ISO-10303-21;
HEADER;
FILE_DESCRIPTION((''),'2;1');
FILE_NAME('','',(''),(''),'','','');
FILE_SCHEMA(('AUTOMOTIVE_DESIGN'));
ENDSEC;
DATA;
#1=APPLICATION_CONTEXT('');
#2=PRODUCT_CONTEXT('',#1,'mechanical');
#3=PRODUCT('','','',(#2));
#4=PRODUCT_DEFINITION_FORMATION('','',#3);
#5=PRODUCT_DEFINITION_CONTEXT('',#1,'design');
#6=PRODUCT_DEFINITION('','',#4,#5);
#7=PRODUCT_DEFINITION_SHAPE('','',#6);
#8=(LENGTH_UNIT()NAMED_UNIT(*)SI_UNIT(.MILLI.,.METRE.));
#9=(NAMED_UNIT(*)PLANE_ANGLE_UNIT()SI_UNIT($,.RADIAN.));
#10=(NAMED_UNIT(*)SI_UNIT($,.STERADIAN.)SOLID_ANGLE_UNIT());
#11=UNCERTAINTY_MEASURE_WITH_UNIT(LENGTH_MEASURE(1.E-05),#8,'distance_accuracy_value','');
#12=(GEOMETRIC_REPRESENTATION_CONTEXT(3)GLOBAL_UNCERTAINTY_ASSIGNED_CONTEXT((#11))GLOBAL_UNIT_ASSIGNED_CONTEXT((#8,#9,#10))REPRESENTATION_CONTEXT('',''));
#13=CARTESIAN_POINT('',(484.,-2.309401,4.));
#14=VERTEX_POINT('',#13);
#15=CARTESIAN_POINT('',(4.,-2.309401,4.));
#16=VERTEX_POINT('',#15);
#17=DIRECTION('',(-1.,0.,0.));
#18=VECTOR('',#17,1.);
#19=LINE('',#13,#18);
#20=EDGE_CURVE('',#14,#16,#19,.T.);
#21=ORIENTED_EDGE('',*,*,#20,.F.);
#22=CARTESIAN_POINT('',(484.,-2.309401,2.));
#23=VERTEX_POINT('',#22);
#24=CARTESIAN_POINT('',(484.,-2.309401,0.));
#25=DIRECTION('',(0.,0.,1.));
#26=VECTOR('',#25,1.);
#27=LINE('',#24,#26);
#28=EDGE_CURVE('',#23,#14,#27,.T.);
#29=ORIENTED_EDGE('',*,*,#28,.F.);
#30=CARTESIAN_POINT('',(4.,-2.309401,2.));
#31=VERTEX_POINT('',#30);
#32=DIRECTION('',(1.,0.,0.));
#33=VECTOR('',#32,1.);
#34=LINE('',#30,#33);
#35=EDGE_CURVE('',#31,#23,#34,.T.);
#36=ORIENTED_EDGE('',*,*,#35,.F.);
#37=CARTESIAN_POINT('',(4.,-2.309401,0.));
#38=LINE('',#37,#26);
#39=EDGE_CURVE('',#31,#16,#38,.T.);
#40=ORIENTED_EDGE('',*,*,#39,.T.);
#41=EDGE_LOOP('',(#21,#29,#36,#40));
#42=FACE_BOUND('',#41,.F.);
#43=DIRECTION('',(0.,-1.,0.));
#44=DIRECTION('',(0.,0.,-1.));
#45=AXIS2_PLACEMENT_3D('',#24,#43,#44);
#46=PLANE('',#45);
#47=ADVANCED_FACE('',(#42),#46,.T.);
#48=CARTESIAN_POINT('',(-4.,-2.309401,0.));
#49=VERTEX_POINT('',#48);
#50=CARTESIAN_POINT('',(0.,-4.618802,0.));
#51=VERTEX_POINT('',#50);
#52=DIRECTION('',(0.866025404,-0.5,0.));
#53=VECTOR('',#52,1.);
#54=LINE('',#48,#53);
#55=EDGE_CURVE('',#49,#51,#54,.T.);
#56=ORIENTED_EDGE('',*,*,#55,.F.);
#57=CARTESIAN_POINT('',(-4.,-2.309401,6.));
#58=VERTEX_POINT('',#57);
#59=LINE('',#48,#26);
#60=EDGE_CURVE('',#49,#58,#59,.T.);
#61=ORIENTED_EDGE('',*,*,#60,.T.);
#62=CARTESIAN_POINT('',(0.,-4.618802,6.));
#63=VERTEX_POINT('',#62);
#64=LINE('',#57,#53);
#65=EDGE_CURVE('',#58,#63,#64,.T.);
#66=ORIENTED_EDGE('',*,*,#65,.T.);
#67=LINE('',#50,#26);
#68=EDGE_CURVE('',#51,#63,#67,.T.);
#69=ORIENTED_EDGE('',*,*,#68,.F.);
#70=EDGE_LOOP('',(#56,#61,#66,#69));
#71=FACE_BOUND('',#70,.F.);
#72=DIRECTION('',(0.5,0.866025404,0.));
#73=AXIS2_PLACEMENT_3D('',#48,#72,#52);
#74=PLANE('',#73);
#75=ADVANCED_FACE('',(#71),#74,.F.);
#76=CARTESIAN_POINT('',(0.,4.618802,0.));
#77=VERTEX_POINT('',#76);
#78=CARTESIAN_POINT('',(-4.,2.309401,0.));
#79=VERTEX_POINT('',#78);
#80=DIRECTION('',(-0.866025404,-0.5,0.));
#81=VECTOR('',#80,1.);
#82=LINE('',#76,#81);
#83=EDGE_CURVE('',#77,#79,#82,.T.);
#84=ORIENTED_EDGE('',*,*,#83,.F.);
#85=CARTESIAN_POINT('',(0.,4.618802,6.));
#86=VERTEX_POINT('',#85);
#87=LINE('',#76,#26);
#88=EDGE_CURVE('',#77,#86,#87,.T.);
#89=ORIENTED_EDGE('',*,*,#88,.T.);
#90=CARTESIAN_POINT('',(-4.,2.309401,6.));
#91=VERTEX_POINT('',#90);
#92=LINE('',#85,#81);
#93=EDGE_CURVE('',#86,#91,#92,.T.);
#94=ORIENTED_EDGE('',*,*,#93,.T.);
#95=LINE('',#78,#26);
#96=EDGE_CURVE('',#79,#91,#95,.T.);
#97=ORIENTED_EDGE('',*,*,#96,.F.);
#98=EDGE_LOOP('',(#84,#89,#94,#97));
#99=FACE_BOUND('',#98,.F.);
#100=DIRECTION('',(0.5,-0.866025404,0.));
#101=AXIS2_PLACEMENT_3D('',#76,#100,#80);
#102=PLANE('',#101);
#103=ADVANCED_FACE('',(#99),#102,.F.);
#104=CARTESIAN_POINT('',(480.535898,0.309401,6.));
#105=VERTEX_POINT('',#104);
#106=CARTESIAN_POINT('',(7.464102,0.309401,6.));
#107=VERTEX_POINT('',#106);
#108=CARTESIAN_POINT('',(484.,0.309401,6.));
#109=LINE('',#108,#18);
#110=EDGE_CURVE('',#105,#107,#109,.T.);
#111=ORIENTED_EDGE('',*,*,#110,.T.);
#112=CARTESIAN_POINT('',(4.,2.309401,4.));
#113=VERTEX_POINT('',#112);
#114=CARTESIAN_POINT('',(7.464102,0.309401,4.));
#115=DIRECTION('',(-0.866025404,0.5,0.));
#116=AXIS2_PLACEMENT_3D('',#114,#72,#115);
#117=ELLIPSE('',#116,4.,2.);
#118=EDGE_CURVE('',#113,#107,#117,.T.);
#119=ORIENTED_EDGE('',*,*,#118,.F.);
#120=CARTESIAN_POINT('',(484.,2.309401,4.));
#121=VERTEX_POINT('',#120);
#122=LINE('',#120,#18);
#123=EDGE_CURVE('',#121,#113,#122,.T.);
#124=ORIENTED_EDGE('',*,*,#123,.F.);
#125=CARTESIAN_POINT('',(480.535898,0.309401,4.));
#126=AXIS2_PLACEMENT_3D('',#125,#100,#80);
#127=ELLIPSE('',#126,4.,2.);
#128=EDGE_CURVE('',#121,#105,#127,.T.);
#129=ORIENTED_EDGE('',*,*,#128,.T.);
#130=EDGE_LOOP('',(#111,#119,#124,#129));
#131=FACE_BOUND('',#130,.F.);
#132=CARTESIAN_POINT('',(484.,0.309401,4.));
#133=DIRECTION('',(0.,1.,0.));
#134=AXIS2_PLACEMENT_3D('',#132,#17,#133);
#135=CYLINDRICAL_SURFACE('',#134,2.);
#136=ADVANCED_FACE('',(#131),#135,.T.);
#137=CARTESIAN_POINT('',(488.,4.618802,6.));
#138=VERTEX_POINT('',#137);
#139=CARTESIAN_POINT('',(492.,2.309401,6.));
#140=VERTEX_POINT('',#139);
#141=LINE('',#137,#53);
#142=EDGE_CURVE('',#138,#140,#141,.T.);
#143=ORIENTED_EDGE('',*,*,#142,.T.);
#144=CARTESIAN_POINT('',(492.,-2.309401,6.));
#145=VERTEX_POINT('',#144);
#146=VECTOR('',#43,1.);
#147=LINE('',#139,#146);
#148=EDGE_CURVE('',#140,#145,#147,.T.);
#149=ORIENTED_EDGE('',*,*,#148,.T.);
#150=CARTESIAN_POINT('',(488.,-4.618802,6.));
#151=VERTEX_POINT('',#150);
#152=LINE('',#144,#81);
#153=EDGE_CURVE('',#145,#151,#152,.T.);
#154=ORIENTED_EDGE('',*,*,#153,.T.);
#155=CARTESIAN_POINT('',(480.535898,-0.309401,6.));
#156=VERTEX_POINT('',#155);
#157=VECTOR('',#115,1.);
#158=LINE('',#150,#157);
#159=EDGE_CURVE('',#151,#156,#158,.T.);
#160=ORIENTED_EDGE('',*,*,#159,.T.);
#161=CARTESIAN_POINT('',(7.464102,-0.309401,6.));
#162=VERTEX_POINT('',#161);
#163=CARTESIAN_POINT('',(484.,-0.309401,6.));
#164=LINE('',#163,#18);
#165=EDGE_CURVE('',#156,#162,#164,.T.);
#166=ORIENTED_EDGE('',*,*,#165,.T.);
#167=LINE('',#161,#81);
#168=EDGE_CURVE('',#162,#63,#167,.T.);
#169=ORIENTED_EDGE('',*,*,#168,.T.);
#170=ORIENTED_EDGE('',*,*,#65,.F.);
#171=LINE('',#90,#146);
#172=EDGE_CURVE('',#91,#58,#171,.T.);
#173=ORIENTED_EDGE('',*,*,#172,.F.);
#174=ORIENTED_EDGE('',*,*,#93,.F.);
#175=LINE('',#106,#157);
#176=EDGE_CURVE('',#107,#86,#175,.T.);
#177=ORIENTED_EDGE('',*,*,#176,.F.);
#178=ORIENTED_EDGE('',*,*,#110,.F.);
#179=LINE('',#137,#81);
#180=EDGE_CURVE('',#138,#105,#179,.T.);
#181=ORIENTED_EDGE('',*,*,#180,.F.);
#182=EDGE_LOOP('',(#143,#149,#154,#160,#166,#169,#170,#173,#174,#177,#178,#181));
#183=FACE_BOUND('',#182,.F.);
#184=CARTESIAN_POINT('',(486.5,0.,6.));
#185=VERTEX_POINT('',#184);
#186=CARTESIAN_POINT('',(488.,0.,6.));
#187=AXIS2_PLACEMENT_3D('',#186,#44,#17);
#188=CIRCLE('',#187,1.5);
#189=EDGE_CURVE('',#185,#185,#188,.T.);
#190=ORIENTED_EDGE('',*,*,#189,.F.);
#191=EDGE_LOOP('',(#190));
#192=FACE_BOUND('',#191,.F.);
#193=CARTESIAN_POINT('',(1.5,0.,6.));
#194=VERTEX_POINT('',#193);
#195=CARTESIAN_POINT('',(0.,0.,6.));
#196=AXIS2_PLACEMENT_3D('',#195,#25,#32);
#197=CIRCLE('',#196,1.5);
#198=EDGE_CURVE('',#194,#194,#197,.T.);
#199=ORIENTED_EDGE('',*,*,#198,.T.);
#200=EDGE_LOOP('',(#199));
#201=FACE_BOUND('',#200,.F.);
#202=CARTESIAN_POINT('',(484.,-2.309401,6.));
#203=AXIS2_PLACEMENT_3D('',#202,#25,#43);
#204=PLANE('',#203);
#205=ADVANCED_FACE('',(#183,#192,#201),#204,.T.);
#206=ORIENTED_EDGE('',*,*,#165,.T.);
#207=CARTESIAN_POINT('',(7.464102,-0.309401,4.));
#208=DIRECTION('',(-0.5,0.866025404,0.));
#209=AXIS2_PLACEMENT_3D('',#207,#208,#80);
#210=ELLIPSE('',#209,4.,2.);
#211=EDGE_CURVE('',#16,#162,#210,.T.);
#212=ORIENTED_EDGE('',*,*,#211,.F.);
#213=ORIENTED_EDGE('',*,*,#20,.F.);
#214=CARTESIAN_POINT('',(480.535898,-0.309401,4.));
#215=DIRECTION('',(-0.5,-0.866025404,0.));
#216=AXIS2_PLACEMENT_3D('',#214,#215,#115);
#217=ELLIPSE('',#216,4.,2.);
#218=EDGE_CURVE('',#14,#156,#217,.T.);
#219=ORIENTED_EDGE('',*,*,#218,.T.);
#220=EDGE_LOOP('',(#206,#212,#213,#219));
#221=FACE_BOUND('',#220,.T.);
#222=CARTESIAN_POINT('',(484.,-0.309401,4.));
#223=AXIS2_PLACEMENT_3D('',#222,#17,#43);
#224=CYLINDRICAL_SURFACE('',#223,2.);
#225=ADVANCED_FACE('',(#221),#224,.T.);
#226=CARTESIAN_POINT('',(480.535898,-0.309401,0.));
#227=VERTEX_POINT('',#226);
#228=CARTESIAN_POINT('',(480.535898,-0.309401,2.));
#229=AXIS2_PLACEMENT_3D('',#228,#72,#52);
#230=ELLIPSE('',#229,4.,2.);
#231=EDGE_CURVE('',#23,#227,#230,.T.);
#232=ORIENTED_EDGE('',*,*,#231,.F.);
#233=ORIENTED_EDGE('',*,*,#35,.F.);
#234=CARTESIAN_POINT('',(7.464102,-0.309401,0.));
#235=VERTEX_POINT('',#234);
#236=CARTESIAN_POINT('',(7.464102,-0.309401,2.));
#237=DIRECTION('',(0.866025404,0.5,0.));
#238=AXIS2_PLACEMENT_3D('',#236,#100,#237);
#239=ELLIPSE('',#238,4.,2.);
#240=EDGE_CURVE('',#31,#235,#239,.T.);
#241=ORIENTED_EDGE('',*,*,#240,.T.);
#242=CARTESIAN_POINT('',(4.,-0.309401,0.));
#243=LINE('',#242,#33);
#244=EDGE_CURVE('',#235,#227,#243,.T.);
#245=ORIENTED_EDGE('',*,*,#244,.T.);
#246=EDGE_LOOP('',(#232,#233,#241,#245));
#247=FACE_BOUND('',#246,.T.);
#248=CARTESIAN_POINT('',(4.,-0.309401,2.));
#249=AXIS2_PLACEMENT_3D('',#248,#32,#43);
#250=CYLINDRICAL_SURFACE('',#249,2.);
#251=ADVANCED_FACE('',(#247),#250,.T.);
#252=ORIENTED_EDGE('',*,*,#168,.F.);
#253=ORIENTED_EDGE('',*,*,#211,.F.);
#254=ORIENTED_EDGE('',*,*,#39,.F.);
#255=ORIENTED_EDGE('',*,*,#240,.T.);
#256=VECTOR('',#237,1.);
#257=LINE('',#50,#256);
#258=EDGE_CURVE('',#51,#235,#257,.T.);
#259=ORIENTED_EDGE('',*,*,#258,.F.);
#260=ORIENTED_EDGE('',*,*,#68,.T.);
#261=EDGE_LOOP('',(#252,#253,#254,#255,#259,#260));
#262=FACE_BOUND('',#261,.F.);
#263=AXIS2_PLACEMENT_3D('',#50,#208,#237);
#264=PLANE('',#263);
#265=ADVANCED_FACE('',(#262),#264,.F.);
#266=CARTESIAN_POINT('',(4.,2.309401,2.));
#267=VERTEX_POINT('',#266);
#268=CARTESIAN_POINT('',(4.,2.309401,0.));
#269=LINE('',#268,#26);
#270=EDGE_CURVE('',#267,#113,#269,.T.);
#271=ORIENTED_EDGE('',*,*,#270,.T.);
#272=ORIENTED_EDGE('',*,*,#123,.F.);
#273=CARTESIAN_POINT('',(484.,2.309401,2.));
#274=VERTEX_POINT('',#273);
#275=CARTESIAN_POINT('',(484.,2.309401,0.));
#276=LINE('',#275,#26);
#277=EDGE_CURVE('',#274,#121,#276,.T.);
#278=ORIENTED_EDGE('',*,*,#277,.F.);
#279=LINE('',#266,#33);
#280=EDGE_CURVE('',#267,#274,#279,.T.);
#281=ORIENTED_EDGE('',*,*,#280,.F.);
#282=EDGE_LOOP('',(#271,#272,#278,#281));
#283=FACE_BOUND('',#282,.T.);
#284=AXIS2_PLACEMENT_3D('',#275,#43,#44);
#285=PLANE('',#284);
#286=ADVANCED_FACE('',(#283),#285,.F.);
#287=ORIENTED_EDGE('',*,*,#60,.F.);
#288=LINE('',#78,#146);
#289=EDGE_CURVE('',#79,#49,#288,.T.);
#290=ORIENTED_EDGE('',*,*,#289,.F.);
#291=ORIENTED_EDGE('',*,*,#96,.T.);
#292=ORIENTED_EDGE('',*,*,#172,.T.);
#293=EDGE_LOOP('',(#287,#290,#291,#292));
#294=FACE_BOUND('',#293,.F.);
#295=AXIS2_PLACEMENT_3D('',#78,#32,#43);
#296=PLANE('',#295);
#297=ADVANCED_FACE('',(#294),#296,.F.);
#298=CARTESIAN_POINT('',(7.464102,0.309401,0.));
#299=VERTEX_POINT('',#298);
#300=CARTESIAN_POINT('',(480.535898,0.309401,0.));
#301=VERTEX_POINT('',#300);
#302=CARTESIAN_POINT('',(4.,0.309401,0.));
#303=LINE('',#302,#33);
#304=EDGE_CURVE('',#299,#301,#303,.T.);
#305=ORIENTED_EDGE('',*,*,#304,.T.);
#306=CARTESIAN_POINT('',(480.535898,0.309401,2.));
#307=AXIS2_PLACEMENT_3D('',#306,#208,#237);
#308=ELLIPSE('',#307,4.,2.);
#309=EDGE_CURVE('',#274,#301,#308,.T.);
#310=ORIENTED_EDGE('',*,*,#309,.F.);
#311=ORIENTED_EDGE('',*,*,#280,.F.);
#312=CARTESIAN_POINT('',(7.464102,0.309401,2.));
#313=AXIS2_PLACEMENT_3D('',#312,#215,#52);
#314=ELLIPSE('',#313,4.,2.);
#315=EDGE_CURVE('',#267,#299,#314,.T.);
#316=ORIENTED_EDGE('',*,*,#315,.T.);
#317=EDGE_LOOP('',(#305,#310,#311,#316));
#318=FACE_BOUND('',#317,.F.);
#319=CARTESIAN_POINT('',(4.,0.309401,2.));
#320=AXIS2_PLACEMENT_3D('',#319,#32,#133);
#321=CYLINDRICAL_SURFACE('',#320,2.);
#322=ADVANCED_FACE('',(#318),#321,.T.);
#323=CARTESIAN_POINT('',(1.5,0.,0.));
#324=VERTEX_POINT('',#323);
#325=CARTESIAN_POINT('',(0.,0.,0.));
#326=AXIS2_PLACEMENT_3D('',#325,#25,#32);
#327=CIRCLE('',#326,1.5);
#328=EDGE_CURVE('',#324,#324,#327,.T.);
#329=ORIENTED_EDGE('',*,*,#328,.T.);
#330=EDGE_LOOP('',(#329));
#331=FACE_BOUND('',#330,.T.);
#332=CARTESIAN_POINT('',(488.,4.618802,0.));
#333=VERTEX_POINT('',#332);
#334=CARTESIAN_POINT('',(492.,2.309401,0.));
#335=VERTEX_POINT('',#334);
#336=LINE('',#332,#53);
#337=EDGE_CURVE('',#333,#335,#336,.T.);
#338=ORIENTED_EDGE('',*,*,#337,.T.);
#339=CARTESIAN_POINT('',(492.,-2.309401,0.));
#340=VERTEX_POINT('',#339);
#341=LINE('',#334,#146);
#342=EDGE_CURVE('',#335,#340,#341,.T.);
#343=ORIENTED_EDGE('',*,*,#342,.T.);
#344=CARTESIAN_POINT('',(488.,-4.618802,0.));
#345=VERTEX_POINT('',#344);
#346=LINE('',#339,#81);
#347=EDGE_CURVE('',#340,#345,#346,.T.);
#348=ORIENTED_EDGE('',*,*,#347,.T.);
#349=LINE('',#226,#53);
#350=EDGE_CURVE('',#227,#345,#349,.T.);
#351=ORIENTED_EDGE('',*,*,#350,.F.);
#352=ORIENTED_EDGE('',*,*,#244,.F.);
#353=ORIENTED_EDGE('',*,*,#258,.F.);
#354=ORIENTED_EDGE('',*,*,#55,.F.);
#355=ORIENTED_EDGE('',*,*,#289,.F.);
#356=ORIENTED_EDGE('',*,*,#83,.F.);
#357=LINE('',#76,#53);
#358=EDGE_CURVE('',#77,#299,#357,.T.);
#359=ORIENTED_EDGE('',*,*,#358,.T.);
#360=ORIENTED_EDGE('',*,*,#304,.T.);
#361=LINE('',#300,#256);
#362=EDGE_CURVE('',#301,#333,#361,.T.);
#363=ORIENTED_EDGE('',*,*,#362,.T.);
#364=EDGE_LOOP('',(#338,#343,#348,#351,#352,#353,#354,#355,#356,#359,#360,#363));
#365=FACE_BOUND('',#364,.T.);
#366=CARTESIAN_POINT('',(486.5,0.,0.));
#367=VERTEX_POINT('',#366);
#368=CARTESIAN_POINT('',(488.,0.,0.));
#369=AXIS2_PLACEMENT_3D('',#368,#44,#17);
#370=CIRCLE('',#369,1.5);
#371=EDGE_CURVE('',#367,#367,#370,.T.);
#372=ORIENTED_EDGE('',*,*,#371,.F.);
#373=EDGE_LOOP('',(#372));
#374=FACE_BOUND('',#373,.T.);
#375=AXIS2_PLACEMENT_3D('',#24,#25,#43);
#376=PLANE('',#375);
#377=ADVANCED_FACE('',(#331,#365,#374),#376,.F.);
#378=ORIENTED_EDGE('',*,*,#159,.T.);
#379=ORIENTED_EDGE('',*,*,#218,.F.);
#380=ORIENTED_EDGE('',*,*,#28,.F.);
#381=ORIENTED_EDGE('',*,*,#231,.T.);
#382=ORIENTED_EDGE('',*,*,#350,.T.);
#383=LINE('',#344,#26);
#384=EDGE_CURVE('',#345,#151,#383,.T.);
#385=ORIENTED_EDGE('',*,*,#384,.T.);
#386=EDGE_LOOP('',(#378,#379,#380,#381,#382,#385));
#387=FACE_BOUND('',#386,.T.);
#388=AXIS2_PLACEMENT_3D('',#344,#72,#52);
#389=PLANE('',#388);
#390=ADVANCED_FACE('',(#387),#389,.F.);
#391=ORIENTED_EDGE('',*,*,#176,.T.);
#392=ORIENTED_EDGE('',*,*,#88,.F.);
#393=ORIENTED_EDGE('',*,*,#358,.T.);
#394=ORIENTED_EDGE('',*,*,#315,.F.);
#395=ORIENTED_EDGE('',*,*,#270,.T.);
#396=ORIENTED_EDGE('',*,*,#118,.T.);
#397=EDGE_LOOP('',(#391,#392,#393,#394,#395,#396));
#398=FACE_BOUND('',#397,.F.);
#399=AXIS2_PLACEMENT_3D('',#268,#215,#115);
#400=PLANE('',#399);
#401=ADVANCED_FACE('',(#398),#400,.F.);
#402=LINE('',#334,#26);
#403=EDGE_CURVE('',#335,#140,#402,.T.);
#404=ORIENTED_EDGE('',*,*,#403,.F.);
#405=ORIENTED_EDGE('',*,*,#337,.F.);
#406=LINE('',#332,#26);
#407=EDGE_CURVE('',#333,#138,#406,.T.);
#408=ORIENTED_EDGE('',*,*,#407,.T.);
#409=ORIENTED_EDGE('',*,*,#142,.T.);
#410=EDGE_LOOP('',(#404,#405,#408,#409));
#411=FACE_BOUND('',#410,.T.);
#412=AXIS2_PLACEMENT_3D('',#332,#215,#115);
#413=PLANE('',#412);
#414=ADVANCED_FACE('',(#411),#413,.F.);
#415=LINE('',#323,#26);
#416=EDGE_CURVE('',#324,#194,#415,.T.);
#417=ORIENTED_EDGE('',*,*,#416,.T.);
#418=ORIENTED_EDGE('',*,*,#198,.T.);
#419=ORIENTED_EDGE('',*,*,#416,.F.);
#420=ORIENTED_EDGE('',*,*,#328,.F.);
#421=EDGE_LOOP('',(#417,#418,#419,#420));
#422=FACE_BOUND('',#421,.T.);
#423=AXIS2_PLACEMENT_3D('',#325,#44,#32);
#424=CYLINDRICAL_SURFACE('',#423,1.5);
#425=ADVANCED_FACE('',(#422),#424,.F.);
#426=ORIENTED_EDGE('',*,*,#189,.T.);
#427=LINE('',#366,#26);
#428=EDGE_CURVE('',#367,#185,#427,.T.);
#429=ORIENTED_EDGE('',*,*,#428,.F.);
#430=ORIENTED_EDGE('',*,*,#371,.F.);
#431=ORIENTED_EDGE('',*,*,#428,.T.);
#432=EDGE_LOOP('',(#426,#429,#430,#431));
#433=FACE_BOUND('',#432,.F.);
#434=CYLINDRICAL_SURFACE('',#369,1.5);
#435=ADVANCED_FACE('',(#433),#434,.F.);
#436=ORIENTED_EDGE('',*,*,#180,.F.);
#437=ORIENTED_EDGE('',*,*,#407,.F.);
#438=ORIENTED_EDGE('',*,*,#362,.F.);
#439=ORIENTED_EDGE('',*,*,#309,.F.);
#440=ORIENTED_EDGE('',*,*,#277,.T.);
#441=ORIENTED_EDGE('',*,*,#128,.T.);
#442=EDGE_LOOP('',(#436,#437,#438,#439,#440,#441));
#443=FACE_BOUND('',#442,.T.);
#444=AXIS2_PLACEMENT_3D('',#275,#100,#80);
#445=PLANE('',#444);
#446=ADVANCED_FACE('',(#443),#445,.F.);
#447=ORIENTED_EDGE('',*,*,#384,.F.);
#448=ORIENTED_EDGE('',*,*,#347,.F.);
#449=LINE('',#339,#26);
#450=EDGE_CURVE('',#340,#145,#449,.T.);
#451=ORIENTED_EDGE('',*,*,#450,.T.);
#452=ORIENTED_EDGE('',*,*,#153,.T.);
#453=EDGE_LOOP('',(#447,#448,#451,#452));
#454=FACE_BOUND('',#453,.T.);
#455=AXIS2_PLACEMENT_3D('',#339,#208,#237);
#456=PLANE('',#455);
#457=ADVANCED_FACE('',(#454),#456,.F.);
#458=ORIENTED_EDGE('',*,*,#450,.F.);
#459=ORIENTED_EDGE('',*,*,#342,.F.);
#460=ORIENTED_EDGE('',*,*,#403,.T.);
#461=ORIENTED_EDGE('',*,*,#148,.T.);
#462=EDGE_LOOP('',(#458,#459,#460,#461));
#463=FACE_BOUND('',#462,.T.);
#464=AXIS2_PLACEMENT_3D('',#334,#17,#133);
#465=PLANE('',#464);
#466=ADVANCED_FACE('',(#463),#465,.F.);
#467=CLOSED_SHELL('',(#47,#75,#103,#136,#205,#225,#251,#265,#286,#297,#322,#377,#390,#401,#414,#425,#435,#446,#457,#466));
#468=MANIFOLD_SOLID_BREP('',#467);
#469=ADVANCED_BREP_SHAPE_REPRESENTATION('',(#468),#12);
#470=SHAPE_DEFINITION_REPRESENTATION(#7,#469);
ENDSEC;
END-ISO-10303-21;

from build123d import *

# Parameters (mm, degrees)
F0_R     = 1.5
F1_DEPTH = 6
F2_DEPTH = 240
F4_R     = 2


with BuildPart() as f1:
    # F0 (on Top) → F1 (new body)
    with BuildSketch(Plane.XY):
        Polygon((-4, 2.3094010768), (-4, -2.3094010768), (0, -4.6188021535), (4, -2.3094010768), (4, 2.3094010768), (0, 4.6188021535), align=None)
        Circle(F0_R, mode=Mode.SUBTRACT)
    extrude(amount=F1_DEPTH)

    # F2 (add): a face of the model
    f2_faces = [f1.faces().sort_by_distance(p)[0] for p in [
        (4, 0, 3),
    ]]
    extrude(f2_faces, amount=F2_DEPTH)

    # F3: F1 across face


with BuildPart() as f1_1:
    add(f1.part)
    add(f1.part.mirror(Plane(origin=(244, 0, 3), x_dir=(0, 1, 0), z_dir=(1, 0, 0))))

    # F4
    f4_edges = [f1_1.edges().sort_by_distance(p)[0] for p in [
        (244, -2.309401, 6),
        (244, 2.309401, 6),
        (244, -2.309401, 0),
        (244, 2.309401, 0),
    ]]
    fillet(f4_edges, radius=F4_R)


solid = f1_1.part
